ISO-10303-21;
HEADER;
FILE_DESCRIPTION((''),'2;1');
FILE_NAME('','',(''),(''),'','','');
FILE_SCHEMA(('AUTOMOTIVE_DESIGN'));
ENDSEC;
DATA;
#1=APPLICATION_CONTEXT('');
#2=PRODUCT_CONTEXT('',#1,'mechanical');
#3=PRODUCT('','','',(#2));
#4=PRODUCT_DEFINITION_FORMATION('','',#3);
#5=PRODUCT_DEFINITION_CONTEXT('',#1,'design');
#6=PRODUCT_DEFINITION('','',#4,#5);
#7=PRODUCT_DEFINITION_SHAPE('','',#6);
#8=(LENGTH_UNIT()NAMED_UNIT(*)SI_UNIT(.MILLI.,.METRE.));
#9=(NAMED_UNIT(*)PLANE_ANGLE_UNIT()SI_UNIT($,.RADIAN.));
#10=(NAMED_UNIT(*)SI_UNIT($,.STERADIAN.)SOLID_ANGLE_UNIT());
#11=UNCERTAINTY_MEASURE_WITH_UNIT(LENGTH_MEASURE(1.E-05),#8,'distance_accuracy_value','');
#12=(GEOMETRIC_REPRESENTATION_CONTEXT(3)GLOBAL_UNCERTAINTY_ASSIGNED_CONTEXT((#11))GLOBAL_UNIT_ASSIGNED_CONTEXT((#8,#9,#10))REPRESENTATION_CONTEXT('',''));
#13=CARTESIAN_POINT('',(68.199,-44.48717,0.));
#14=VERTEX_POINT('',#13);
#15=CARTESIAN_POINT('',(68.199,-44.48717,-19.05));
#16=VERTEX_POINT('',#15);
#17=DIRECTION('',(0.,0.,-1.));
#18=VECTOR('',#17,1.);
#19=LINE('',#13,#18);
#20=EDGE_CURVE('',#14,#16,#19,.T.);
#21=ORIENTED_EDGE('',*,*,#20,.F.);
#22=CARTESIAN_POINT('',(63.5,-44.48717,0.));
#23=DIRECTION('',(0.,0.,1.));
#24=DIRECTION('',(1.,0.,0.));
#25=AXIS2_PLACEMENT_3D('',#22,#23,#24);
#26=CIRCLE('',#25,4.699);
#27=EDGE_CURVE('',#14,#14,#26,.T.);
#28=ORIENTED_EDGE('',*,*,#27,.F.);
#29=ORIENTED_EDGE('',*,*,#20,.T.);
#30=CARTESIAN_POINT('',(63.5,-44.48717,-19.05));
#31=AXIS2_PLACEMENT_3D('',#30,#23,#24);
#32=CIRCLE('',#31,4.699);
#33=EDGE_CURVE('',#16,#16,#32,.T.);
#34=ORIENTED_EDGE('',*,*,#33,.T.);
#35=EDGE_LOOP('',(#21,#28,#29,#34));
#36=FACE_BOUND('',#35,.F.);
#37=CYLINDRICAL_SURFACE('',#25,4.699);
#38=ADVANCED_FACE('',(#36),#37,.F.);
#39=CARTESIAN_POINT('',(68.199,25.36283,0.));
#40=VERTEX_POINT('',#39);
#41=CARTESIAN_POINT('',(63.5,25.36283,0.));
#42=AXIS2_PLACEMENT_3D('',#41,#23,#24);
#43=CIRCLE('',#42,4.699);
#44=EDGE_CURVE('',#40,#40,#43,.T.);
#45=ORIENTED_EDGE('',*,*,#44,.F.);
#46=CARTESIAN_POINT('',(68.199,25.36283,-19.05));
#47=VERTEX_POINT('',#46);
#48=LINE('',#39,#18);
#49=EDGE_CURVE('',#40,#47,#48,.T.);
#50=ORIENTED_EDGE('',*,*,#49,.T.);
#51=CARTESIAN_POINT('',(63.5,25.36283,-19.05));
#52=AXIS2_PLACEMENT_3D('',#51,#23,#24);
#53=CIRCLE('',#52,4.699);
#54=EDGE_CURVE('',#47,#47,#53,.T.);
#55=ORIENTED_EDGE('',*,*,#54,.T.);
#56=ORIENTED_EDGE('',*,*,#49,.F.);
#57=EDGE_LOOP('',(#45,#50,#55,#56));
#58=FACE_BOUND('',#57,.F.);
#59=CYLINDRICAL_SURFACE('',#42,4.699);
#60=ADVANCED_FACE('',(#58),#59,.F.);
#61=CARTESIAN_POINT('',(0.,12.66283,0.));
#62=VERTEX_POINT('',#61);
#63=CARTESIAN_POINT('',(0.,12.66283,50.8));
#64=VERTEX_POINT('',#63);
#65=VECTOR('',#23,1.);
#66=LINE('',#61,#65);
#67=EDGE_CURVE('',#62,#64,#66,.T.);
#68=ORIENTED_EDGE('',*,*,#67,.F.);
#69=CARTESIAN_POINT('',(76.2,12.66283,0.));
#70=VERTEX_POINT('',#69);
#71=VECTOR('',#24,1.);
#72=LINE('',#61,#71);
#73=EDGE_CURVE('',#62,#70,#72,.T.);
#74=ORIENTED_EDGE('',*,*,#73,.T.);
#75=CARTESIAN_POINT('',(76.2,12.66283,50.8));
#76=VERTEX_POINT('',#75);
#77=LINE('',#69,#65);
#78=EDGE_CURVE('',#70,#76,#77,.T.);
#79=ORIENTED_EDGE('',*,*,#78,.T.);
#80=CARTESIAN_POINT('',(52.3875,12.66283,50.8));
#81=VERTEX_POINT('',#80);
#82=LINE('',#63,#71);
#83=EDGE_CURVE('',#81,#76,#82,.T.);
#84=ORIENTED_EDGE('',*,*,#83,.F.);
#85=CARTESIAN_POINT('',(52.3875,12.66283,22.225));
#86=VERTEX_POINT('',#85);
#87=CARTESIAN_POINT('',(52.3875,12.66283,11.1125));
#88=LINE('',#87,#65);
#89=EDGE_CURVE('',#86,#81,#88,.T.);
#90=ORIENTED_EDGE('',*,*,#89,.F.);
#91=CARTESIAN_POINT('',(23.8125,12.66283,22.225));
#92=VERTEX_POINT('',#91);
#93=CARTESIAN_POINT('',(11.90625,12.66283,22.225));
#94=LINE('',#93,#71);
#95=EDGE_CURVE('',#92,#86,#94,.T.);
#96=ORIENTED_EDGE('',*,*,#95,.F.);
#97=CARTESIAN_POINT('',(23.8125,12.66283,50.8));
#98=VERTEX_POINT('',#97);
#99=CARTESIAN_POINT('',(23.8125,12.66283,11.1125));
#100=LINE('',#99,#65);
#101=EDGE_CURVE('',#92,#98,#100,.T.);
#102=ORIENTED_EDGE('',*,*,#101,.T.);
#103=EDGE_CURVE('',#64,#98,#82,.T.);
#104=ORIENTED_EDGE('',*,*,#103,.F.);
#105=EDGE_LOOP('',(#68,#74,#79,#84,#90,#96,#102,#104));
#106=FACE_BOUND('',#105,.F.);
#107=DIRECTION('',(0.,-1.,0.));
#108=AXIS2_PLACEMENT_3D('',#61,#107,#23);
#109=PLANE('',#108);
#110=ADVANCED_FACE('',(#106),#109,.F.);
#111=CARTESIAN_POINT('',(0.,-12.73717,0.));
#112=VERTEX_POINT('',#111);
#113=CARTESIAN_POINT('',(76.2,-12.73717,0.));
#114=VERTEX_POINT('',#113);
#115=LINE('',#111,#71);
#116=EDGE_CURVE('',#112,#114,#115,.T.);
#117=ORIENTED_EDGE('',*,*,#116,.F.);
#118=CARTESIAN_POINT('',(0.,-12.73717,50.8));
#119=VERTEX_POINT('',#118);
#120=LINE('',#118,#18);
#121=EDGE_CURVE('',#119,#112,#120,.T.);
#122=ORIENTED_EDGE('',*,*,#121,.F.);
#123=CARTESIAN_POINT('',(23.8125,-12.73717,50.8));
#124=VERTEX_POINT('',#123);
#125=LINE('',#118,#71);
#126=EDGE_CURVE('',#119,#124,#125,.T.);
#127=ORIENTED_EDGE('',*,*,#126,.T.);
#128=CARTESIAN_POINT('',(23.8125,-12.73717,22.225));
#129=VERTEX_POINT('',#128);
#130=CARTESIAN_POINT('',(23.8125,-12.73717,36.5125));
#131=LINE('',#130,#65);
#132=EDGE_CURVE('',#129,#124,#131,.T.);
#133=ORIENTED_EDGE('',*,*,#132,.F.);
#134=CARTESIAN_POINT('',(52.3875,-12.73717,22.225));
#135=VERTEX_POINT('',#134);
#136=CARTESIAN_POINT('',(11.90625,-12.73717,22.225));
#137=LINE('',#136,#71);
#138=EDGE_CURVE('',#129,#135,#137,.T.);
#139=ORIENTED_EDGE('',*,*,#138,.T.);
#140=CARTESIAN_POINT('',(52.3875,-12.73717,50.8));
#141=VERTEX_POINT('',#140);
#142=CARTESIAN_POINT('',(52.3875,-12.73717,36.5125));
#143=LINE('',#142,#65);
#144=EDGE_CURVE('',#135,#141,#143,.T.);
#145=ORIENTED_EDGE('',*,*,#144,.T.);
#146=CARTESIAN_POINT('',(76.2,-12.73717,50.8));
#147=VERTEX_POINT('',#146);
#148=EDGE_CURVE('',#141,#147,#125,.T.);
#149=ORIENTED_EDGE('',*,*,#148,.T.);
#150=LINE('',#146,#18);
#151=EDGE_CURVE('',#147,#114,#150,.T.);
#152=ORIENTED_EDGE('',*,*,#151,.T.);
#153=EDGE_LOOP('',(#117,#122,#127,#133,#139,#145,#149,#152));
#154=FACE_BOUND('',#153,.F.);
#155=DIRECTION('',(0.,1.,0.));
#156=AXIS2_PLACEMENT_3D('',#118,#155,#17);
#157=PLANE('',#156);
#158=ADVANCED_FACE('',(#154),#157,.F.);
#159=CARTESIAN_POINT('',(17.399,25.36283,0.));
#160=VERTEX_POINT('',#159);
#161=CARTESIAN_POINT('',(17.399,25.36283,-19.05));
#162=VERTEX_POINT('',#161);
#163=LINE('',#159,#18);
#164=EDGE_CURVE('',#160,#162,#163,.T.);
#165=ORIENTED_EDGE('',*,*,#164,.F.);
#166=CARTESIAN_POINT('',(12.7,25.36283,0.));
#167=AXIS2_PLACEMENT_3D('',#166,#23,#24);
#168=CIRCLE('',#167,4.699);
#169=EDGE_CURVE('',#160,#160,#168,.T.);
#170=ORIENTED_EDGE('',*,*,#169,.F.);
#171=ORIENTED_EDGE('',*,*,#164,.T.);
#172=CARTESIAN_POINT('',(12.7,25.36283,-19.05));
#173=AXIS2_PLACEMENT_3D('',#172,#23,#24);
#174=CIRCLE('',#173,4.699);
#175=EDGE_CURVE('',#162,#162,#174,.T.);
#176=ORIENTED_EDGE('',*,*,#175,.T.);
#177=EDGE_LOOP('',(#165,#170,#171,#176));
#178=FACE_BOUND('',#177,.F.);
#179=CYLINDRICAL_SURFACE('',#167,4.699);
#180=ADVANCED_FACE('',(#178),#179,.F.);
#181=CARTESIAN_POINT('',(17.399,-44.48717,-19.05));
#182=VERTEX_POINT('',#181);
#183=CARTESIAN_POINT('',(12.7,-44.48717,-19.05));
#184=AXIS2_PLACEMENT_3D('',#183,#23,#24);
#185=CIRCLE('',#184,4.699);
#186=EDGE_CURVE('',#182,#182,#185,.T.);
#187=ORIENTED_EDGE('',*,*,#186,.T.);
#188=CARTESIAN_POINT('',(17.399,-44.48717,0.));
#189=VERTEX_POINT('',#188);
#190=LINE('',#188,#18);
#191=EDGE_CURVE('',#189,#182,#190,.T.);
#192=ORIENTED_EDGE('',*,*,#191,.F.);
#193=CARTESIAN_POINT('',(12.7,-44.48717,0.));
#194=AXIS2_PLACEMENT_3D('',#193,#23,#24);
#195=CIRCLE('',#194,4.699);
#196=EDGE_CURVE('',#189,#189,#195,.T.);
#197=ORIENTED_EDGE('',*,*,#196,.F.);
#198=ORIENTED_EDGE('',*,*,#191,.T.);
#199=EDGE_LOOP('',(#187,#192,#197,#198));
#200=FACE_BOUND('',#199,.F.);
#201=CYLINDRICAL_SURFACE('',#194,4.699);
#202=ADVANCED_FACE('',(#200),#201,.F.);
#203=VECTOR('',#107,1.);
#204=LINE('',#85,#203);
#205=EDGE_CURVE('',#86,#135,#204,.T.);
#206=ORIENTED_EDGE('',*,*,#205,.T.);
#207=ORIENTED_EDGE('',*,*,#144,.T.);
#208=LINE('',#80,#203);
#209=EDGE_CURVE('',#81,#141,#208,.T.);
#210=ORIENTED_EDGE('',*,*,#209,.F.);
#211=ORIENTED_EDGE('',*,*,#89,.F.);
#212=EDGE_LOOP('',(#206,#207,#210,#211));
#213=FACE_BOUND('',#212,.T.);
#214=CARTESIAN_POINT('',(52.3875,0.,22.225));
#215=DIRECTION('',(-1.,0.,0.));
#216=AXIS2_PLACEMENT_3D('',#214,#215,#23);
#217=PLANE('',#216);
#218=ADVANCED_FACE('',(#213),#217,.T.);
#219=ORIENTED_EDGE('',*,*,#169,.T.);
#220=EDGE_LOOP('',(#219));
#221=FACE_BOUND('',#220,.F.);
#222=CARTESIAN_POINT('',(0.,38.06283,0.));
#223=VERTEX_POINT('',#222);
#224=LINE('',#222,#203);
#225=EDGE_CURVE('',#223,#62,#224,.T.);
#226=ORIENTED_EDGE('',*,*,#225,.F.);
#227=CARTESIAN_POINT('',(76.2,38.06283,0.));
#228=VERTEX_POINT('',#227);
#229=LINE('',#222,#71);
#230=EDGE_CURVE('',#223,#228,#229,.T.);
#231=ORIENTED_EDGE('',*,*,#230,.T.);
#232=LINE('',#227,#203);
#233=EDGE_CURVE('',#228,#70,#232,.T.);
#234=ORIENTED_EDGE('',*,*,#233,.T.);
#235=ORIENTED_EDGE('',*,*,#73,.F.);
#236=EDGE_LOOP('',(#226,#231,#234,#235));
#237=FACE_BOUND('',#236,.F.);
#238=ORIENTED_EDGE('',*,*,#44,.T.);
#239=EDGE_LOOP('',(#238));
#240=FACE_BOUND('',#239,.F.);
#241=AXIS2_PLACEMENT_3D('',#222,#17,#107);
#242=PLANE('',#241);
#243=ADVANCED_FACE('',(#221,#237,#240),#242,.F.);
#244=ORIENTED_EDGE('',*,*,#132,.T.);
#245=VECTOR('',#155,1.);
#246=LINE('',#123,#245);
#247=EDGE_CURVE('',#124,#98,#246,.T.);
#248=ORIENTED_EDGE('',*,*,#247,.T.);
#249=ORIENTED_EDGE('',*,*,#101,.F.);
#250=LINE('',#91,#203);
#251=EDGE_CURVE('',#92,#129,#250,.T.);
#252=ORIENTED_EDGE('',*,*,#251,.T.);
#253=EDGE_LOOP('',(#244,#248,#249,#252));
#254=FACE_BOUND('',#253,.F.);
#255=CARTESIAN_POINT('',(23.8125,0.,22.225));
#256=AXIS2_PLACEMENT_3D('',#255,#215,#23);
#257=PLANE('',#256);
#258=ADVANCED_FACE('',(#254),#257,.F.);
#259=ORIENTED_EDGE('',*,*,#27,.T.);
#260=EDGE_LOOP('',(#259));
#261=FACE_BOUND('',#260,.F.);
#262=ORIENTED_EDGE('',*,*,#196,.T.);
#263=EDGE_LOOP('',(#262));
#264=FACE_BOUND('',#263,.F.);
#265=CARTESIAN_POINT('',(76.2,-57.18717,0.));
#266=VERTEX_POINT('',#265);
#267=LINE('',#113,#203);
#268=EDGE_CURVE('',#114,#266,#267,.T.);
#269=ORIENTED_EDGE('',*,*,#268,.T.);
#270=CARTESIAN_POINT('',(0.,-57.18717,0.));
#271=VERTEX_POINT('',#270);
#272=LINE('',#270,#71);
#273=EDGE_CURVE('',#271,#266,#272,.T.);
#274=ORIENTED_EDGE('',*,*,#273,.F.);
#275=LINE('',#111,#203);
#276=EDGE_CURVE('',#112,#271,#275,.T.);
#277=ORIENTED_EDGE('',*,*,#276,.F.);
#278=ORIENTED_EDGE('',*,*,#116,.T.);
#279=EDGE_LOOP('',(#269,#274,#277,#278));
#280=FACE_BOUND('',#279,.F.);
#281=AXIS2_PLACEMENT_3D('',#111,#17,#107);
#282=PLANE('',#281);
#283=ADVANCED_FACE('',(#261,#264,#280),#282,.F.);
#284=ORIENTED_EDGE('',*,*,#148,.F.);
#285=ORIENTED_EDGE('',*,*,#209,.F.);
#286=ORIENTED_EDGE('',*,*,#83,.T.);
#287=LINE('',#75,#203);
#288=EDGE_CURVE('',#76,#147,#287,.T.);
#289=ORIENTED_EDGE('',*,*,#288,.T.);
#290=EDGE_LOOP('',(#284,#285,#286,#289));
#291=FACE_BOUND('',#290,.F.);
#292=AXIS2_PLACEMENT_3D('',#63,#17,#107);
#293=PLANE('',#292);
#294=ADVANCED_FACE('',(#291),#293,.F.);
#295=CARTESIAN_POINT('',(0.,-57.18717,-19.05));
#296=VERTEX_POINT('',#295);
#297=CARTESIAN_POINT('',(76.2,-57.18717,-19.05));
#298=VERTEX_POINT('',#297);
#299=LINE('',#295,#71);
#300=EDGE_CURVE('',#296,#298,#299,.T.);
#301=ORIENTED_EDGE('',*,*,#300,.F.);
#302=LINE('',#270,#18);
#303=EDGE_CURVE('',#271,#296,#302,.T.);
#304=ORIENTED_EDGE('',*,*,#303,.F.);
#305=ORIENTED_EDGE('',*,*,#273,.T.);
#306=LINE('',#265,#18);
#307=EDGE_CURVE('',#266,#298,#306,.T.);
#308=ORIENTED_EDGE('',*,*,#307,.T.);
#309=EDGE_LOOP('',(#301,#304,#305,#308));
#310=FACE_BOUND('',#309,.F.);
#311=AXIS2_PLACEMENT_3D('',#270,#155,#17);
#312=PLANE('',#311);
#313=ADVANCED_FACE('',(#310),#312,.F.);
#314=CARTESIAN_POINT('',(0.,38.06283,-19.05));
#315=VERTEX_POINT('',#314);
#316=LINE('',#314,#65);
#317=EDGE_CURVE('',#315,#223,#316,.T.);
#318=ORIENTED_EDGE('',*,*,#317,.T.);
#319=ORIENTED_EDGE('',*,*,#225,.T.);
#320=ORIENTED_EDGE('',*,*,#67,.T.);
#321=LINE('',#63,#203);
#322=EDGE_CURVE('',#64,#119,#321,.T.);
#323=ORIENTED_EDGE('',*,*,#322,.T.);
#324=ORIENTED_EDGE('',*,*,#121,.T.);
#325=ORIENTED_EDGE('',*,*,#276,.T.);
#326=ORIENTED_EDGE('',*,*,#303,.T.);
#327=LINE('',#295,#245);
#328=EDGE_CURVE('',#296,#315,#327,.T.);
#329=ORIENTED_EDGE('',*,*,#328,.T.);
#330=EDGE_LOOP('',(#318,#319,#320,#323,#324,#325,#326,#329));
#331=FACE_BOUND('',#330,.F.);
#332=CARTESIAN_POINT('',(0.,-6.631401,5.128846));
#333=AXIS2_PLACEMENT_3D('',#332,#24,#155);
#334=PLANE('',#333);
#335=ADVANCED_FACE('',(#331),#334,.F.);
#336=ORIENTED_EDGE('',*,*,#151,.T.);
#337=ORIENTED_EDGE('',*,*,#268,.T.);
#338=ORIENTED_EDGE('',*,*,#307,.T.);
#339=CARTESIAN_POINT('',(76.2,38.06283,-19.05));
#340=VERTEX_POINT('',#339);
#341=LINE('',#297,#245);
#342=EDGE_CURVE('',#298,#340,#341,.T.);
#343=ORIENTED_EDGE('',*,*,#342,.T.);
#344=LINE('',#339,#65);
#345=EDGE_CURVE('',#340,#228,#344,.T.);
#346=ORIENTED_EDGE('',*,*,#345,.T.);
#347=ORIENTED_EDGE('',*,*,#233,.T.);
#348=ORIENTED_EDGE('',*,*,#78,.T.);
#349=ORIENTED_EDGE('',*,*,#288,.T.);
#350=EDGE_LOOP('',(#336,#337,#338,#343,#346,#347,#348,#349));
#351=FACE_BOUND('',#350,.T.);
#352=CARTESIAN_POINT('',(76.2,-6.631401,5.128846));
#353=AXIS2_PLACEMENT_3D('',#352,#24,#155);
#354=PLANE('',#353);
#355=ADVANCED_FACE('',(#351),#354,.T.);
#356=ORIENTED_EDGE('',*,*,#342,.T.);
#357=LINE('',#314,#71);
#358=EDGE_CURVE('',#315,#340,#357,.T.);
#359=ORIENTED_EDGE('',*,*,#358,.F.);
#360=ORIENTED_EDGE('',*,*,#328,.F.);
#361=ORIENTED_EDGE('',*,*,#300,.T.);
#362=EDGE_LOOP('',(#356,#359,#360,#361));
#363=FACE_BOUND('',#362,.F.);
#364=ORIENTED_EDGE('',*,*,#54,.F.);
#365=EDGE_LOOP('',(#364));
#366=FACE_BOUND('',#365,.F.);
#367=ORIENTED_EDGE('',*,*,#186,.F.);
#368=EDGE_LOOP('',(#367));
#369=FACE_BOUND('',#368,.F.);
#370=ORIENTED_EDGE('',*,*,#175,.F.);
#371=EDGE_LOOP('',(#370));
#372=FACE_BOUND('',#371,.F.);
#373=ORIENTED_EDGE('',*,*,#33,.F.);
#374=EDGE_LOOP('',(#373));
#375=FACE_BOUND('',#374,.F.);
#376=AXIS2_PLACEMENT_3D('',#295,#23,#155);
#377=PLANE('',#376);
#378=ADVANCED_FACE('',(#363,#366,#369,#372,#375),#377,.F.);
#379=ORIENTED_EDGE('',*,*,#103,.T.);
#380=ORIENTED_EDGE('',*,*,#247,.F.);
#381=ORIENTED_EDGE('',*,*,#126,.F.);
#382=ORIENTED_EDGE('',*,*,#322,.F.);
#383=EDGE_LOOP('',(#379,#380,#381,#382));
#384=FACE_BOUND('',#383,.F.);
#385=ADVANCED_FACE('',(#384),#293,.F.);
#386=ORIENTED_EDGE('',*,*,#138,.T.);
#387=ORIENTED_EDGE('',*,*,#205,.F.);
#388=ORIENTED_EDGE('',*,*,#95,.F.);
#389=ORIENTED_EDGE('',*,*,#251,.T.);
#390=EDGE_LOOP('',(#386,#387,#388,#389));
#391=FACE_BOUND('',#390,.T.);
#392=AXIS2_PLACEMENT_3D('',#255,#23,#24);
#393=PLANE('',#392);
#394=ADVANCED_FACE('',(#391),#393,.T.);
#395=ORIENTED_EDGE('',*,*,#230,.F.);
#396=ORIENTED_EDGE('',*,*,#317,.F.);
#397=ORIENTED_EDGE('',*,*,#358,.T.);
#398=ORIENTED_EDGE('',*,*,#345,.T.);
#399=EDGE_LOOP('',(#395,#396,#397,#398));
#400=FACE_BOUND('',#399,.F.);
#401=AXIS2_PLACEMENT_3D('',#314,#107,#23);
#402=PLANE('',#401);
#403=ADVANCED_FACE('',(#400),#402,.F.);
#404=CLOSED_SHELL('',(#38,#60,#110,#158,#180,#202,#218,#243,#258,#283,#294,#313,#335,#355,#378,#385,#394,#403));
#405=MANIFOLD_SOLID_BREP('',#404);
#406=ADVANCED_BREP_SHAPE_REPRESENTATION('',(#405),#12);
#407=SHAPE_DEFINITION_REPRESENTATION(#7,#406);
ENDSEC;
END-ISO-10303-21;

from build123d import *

# Parameters (mm, degrees)
F1_DEPTH      = 76.2
F2_W          = 28.575
F2_H          = 57.15
F3_DEPTH      = 38.063829867
F3_DEPTH_BACK = 25.4
F4_R          = 4.699
F5_DEPTH      = 19.051


with BuildPart() as f1:
    # F0 (on Right) → F1 (new body)
    with BuildSketch(Plane.YZ):
        Polygon((-57.187170133, 0), (-57.187170133, -19.05), (38.062829867, -19.05), (38.062829867, 0), (12.662829867, 0), (12.662829867, 50.8), (-12.737170133, 50.8), (-12.737170133, 0), align=None)
    extrude(amount=F1_DEPTH)

    # F2 (on Front) → F3 (cut, two sides)
    with BuildSketch(Plane.XZ) as f3_sk:
        with Locations((38.1, 50.8)):
            Rectangle(F2_W, F2_H)
    extrude(amount=-F3_DEPTH, mode=Mode.SUBTRACT)
    extrude(f3_sk.sketch, amount=F3_DEPTH_BACK, mode=Mode.SUBTRACT)

    # F4 (on Top) → F5 (cut, through all)
    with BuildSketch(Plane.XY):
        with Locations((12.7, 25.362829867)):
            Circle(F4_R)
        with Locations((63.5, 25.362829867)):
            Circle(F4_R)
        with Locations((12.7, -44.487170133)):
            Circle(F4_R)
        with Locations((63.5, -44.487170133)):
            Circle(F4_R)
    extrude(amount=-F5_DEPTH, mode=Mode.SUBTRACT)


solid = f1.part
